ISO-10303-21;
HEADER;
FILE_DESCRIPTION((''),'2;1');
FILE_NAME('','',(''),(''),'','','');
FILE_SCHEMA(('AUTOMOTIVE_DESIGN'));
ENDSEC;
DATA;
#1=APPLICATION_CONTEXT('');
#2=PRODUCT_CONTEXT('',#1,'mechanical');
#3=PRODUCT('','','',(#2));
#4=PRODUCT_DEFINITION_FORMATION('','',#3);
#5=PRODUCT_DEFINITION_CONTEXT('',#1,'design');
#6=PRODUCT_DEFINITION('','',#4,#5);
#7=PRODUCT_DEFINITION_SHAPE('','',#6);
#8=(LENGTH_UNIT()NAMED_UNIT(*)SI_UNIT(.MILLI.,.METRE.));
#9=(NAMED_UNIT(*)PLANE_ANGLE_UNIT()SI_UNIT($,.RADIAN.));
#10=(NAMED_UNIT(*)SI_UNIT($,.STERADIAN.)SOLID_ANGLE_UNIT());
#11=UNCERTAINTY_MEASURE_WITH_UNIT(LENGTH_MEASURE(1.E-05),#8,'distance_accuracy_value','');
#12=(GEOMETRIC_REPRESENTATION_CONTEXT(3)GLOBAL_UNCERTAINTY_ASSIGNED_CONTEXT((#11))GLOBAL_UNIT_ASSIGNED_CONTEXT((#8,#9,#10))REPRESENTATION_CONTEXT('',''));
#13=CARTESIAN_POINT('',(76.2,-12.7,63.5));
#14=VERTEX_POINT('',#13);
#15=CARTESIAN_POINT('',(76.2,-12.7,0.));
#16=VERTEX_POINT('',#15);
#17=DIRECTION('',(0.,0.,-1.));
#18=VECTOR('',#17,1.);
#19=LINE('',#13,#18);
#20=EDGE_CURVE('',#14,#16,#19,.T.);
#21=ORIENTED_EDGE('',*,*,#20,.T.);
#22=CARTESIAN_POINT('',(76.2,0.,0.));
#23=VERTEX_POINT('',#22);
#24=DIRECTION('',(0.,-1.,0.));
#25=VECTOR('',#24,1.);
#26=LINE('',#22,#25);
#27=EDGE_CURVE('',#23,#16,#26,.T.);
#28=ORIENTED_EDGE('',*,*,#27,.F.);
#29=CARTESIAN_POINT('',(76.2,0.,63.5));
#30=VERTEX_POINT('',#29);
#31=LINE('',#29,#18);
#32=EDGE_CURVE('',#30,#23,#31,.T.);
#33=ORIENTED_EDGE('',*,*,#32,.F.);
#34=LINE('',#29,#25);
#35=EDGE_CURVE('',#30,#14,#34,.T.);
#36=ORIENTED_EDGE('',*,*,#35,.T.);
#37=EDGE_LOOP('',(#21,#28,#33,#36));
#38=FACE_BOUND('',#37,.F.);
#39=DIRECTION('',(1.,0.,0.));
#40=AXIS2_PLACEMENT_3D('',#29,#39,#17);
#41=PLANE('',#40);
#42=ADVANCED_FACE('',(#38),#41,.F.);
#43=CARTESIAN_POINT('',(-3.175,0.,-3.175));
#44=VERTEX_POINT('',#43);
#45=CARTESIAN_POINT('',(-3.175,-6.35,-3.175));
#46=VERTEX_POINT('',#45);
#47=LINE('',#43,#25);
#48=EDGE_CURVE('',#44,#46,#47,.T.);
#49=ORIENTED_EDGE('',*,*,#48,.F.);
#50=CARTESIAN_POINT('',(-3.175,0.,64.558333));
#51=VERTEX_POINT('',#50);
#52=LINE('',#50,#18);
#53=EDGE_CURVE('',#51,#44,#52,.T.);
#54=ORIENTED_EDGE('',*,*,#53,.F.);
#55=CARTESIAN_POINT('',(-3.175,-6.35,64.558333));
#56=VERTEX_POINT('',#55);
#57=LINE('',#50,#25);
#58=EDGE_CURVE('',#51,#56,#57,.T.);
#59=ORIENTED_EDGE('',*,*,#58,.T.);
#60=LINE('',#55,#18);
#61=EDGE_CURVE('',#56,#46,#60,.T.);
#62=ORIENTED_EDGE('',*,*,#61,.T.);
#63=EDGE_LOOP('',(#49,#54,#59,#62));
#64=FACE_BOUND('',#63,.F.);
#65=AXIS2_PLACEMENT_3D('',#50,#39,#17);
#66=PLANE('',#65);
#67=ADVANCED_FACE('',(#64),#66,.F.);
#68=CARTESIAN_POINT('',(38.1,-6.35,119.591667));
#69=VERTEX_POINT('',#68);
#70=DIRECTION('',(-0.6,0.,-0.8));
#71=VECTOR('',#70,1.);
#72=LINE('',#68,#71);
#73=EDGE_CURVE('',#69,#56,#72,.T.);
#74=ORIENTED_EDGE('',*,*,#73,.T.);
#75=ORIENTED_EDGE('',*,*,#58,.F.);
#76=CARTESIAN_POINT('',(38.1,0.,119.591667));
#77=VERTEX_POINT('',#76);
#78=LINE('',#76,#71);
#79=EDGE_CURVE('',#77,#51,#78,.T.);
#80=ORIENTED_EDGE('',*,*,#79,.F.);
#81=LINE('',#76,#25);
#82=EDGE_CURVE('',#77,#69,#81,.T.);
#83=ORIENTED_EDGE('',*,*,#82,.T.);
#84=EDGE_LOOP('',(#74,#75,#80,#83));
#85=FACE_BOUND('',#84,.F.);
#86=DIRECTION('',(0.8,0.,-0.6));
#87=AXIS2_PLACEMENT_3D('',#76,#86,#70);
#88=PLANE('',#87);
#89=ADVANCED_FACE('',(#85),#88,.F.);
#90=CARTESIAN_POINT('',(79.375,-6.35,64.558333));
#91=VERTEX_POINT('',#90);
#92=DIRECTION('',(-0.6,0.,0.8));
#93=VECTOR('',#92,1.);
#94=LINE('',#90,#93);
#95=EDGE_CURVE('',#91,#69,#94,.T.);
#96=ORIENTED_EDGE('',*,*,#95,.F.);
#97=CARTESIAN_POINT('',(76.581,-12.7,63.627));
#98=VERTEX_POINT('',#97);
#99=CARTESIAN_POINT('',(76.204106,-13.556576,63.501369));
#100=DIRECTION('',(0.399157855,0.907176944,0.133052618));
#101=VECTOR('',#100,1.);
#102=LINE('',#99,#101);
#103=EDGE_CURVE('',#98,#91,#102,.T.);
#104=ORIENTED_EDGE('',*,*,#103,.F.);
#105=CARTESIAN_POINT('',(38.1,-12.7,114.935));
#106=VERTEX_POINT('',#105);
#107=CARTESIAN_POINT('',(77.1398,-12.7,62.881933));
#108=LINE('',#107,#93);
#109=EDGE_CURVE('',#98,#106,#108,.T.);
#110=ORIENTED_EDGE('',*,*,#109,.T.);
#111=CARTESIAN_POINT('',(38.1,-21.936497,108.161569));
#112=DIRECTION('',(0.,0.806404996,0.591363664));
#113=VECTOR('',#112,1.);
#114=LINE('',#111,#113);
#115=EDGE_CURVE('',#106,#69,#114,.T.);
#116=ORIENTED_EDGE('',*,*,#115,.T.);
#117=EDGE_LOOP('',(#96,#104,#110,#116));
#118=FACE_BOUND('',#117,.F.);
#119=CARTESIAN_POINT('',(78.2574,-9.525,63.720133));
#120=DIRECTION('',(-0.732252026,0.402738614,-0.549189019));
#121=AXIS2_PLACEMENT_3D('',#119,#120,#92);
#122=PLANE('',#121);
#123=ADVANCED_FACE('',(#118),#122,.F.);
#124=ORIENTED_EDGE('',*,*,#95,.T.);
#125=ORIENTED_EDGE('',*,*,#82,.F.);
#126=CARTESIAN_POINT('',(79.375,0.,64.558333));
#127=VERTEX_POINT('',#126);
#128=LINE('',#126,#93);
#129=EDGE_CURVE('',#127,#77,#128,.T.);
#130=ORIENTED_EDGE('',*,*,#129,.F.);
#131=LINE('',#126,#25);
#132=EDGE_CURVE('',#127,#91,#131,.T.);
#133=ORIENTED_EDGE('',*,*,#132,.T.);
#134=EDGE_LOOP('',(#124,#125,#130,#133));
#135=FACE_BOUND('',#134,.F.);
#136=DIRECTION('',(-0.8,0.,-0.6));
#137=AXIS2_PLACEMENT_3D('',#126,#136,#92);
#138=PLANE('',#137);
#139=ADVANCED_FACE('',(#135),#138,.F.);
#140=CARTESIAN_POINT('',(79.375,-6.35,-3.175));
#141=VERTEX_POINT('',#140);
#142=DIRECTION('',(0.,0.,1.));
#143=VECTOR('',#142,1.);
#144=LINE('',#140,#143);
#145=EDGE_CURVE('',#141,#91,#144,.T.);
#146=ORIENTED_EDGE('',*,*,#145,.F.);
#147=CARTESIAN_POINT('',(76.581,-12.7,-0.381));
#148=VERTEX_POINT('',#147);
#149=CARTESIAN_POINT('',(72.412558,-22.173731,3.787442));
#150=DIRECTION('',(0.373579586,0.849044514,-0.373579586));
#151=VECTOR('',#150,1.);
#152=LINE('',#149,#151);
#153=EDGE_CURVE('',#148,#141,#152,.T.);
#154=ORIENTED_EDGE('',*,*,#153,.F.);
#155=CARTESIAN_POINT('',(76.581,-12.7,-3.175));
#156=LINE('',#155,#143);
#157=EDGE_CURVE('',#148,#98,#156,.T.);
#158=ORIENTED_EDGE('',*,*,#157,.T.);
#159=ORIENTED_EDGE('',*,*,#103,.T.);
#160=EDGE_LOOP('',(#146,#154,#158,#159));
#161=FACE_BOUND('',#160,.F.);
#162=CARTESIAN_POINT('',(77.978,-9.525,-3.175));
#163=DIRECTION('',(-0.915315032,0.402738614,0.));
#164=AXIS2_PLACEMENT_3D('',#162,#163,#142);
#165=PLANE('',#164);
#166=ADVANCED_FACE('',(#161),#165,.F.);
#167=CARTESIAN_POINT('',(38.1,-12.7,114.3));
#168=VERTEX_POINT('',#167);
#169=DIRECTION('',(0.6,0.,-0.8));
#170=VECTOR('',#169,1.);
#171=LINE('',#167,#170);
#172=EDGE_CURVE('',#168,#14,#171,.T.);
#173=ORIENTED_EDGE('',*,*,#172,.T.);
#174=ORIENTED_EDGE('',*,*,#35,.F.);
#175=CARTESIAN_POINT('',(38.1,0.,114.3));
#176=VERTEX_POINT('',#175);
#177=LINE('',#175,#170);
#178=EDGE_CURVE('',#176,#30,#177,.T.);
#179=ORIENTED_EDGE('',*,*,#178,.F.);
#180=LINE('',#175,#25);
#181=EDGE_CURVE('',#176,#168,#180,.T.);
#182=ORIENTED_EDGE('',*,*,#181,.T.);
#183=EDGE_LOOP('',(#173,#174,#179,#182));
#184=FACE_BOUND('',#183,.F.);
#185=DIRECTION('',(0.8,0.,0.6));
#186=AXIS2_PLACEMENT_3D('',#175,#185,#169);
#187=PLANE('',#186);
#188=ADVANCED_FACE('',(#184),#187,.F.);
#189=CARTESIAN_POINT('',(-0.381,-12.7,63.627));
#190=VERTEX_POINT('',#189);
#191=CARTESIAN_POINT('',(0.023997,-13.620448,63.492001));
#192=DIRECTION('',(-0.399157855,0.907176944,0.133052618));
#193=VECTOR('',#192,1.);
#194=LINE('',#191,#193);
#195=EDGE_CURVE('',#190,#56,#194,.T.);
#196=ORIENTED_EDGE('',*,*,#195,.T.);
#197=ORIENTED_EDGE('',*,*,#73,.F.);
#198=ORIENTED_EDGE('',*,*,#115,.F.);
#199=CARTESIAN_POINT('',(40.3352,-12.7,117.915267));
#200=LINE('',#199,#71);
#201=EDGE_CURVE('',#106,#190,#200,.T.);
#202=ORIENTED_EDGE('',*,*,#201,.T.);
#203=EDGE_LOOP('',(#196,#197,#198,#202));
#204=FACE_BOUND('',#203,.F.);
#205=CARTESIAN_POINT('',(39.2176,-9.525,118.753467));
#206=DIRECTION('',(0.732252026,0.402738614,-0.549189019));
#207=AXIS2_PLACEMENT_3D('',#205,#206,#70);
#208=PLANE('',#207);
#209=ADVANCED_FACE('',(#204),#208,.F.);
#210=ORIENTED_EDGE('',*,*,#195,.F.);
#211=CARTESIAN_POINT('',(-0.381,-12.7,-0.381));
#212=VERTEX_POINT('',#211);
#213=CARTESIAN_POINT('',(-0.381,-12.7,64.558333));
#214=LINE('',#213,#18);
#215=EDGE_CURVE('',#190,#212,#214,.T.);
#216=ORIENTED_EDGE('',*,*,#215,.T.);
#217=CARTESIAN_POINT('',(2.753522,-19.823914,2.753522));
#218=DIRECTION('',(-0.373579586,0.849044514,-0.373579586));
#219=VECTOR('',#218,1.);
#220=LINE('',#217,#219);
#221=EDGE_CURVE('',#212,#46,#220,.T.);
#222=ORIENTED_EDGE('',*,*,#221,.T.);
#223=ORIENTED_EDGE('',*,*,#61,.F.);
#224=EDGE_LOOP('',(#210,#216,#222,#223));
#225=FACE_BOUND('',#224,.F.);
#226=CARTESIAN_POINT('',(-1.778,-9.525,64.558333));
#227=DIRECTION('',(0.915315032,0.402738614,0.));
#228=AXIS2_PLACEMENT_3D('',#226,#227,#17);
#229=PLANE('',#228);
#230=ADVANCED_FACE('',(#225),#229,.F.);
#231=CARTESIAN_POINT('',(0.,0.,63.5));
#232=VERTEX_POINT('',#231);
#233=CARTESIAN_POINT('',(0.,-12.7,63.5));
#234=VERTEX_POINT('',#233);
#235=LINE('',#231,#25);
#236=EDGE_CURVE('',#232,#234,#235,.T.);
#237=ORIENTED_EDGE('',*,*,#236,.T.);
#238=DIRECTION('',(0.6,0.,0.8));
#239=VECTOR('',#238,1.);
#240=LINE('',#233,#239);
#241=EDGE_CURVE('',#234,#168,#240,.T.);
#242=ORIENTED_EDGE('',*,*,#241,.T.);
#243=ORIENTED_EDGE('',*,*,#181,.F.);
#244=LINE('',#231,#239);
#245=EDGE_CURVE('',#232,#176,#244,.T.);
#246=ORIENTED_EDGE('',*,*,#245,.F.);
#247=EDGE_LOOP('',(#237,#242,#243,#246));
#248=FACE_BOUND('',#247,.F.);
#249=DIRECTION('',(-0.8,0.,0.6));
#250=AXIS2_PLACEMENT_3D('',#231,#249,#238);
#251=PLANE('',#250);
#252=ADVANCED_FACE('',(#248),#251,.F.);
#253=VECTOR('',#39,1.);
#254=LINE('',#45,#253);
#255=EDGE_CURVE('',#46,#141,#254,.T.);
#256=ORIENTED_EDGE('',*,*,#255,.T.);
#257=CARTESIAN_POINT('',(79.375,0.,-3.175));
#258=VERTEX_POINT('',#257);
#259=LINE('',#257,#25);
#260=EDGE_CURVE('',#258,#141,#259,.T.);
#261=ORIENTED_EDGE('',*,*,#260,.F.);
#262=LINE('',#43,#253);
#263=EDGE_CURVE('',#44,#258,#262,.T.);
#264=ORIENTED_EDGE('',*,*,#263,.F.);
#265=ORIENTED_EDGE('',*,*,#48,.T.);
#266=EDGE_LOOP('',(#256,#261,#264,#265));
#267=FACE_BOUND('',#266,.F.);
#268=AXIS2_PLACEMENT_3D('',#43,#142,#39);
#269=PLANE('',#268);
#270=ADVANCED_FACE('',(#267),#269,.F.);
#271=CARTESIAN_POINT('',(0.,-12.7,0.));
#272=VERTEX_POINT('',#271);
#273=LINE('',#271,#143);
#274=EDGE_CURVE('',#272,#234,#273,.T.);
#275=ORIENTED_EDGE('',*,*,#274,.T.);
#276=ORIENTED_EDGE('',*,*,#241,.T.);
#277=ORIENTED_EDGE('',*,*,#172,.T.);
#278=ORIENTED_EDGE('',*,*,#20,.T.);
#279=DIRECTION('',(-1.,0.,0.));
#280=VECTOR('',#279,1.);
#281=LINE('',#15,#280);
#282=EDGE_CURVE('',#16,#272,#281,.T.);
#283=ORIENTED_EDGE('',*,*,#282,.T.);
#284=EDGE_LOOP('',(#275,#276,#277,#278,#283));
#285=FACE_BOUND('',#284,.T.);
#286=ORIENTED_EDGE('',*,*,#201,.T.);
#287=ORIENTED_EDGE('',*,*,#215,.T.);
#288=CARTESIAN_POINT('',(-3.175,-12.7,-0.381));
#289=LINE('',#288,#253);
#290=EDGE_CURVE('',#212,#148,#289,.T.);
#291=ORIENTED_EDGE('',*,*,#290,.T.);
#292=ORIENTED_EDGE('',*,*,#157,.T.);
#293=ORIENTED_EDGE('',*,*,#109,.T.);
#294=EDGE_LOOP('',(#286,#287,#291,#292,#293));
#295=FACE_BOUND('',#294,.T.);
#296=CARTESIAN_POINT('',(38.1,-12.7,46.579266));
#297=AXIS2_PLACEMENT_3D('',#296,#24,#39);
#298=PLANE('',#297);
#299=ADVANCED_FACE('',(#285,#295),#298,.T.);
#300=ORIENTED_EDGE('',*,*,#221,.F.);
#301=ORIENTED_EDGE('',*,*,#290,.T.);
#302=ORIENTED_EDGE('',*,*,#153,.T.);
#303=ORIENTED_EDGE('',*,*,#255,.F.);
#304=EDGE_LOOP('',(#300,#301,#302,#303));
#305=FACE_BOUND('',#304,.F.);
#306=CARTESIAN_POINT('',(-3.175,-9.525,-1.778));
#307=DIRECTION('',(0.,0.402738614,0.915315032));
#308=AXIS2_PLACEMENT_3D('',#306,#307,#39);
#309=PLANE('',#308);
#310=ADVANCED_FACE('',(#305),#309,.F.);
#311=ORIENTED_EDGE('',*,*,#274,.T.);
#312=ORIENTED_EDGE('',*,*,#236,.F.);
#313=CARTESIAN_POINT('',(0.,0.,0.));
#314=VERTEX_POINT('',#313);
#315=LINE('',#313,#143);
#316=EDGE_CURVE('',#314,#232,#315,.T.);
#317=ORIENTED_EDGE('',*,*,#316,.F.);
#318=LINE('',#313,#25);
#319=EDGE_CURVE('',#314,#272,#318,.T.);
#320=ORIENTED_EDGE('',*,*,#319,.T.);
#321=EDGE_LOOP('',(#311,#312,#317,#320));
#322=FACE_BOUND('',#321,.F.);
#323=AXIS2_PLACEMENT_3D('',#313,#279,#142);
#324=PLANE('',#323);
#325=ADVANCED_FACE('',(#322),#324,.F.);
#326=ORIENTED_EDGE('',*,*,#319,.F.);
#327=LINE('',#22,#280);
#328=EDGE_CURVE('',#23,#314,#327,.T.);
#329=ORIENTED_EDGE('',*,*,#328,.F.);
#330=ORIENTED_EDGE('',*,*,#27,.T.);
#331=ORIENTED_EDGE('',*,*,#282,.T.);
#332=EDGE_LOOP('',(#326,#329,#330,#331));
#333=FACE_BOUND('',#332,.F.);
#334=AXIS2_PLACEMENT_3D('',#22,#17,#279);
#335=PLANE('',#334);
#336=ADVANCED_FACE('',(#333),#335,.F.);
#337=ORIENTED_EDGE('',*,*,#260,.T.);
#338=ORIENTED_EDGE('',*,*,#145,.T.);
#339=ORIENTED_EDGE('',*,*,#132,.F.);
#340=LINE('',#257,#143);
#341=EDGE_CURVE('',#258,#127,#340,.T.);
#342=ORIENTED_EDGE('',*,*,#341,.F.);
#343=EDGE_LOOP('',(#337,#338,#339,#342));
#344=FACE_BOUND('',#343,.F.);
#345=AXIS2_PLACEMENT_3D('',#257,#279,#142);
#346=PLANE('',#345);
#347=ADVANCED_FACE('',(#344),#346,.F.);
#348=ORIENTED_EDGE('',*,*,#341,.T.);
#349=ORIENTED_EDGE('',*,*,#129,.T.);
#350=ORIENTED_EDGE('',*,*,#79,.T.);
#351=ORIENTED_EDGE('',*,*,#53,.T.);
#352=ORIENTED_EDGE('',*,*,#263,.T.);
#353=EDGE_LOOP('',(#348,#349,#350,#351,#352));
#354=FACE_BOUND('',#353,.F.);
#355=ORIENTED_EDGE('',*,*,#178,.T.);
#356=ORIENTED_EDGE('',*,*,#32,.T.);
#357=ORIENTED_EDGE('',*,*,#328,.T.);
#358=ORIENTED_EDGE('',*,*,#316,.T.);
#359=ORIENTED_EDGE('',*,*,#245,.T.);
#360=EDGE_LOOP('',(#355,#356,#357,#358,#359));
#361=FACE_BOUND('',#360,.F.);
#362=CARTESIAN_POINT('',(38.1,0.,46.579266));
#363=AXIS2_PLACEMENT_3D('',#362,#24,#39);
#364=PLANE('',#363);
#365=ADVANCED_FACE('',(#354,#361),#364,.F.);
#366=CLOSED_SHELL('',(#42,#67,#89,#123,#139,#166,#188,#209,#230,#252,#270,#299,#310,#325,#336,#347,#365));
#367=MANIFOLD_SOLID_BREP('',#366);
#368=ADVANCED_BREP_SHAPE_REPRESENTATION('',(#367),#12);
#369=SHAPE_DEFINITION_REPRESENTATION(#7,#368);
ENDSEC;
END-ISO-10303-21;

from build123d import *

# Parameters (mm, degrees)
F1_DEPTH = 12.7
F2_SIZE2 = 6.35
F2_SIZE  = 2.794


with BuildPart() as f1:
    # F0 (on Front) → F1 (new body)
    with BuildSketch(Plane.XZ):
        Polygon((79.375, -3.175), (79.375, 64.5583333333), (38.1, 119.5916666667), (-3.175, 64.5583333333), (-3.175, -3.175), align=None)
        Polygon((76.2, 0), (0, 0), (0, 63.5), (38.1, 114.3), (76.2, 63.5), align=None, mode=Mode.SUBTRACT)
    extrude(amount=F1_DEPTH)

    # F2
    f2_edges = [f1.edges().sort_by_distance(p)[0] for p in [
        (38.1, -12.7, -3.175),
        (79.375, -12.7, 30.691667),
        (58.7375, -12.7, 92.075),
        (17.4625, -12.7, 92.075),
        (-3.175, -12.7, 30.691667),
    ]]
    f2_side = f1.faces().sort_by_distance((-1.695603, -12.7, 30.691667))[0]
    chamfer(f2_edges, length=F2_SIZE, length2=F2_SIZE2, reference=f2_side)


solid = f1.part
